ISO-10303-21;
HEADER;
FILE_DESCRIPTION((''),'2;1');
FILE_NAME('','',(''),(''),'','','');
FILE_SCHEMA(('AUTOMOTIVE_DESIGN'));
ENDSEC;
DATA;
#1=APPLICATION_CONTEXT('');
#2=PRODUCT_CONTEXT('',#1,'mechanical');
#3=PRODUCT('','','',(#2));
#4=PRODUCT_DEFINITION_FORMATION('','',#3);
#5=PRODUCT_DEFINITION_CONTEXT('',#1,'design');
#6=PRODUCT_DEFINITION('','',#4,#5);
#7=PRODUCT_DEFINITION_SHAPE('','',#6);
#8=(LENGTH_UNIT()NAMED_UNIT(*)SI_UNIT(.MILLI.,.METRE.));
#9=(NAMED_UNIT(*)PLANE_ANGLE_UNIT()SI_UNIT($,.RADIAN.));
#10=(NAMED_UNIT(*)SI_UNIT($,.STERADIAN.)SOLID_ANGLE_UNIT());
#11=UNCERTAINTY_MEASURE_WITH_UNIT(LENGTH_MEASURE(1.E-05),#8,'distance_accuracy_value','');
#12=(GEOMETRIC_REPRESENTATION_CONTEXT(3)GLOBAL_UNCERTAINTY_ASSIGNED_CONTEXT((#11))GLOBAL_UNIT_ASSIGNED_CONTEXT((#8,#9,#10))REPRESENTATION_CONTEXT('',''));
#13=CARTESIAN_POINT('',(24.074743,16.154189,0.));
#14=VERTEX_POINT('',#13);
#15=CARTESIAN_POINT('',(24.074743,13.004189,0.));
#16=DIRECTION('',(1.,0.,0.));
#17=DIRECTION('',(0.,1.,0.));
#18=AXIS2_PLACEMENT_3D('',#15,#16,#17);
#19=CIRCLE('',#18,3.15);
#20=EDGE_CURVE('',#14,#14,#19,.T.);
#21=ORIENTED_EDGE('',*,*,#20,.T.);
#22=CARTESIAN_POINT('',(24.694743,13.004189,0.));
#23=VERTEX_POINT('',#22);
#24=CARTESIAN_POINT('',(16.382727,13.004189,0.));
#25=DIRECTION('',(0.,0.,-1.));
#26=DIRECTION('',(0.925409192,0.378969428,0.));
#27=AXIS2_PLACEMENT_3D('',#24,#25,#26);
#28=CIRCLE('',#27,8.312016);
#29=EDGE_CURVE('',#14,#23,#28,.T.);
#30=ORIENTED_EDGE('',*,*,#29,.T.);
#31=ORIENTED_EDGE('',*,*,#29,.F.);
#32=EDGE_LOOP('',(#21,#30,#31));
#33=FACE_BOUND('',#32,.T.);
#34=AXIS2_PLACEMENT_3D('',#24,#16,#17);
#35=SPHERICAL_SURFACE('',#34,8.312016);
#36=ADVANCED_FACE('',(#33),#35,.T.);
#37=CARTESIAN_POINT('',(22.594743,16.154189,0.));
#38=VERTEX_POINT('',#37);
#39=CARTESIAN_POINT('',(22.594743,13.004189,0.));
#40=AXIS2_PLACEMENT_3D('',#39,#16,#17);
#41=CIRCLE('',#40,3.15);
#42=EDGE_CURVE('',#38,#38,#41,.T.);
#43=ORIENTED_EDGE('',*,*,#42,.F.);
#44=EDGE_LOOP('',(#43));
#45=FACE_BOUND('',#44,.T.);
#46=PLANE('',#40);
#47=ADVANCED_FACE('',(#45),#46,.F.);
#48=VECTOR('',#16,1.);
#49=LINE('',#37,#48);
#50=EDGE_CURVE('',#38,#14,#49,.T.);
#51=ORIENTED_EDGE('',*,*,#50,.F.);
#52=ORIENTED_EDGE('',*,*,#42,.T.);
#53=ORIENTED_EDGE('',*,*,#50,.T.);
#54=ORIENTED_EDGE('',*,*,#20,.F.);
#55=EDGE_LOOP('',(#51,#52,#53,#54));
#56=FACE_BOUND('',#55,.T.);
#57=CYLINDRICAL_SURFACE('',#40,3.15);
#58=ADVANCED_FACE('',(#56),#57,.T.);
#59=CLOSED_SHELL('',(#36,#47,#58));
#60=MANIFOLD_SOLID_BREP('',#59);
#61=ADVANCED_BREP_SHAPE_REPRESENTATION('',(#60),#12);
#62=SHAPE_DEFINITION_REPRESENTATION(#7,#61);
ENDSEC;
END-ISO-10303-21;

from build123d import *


with BuildPart() as part:
    # 草图1 → 旋转1 (revolve)
    with BuildSketch(Plane.XY):
        with BuildLine():
            Line((22.594743036, 13.004189076), (22.594743036, 16.154189076))
            Line((22.594743036, 16.154189076), (24.074743036, 16.154189076))
            ThreePointArc((24.074743036, 16.154189076), (24.538270244, 14.60940713), (24.694743036, 13.004189076))
            Line((24.694743036, 13.004189076), (22.594743036, 13.004189076))
        make_face()
    revolve(axis=Axis((21.733114866, 13.004189076, 0), (1, 0, 0)))


solid = part.part
